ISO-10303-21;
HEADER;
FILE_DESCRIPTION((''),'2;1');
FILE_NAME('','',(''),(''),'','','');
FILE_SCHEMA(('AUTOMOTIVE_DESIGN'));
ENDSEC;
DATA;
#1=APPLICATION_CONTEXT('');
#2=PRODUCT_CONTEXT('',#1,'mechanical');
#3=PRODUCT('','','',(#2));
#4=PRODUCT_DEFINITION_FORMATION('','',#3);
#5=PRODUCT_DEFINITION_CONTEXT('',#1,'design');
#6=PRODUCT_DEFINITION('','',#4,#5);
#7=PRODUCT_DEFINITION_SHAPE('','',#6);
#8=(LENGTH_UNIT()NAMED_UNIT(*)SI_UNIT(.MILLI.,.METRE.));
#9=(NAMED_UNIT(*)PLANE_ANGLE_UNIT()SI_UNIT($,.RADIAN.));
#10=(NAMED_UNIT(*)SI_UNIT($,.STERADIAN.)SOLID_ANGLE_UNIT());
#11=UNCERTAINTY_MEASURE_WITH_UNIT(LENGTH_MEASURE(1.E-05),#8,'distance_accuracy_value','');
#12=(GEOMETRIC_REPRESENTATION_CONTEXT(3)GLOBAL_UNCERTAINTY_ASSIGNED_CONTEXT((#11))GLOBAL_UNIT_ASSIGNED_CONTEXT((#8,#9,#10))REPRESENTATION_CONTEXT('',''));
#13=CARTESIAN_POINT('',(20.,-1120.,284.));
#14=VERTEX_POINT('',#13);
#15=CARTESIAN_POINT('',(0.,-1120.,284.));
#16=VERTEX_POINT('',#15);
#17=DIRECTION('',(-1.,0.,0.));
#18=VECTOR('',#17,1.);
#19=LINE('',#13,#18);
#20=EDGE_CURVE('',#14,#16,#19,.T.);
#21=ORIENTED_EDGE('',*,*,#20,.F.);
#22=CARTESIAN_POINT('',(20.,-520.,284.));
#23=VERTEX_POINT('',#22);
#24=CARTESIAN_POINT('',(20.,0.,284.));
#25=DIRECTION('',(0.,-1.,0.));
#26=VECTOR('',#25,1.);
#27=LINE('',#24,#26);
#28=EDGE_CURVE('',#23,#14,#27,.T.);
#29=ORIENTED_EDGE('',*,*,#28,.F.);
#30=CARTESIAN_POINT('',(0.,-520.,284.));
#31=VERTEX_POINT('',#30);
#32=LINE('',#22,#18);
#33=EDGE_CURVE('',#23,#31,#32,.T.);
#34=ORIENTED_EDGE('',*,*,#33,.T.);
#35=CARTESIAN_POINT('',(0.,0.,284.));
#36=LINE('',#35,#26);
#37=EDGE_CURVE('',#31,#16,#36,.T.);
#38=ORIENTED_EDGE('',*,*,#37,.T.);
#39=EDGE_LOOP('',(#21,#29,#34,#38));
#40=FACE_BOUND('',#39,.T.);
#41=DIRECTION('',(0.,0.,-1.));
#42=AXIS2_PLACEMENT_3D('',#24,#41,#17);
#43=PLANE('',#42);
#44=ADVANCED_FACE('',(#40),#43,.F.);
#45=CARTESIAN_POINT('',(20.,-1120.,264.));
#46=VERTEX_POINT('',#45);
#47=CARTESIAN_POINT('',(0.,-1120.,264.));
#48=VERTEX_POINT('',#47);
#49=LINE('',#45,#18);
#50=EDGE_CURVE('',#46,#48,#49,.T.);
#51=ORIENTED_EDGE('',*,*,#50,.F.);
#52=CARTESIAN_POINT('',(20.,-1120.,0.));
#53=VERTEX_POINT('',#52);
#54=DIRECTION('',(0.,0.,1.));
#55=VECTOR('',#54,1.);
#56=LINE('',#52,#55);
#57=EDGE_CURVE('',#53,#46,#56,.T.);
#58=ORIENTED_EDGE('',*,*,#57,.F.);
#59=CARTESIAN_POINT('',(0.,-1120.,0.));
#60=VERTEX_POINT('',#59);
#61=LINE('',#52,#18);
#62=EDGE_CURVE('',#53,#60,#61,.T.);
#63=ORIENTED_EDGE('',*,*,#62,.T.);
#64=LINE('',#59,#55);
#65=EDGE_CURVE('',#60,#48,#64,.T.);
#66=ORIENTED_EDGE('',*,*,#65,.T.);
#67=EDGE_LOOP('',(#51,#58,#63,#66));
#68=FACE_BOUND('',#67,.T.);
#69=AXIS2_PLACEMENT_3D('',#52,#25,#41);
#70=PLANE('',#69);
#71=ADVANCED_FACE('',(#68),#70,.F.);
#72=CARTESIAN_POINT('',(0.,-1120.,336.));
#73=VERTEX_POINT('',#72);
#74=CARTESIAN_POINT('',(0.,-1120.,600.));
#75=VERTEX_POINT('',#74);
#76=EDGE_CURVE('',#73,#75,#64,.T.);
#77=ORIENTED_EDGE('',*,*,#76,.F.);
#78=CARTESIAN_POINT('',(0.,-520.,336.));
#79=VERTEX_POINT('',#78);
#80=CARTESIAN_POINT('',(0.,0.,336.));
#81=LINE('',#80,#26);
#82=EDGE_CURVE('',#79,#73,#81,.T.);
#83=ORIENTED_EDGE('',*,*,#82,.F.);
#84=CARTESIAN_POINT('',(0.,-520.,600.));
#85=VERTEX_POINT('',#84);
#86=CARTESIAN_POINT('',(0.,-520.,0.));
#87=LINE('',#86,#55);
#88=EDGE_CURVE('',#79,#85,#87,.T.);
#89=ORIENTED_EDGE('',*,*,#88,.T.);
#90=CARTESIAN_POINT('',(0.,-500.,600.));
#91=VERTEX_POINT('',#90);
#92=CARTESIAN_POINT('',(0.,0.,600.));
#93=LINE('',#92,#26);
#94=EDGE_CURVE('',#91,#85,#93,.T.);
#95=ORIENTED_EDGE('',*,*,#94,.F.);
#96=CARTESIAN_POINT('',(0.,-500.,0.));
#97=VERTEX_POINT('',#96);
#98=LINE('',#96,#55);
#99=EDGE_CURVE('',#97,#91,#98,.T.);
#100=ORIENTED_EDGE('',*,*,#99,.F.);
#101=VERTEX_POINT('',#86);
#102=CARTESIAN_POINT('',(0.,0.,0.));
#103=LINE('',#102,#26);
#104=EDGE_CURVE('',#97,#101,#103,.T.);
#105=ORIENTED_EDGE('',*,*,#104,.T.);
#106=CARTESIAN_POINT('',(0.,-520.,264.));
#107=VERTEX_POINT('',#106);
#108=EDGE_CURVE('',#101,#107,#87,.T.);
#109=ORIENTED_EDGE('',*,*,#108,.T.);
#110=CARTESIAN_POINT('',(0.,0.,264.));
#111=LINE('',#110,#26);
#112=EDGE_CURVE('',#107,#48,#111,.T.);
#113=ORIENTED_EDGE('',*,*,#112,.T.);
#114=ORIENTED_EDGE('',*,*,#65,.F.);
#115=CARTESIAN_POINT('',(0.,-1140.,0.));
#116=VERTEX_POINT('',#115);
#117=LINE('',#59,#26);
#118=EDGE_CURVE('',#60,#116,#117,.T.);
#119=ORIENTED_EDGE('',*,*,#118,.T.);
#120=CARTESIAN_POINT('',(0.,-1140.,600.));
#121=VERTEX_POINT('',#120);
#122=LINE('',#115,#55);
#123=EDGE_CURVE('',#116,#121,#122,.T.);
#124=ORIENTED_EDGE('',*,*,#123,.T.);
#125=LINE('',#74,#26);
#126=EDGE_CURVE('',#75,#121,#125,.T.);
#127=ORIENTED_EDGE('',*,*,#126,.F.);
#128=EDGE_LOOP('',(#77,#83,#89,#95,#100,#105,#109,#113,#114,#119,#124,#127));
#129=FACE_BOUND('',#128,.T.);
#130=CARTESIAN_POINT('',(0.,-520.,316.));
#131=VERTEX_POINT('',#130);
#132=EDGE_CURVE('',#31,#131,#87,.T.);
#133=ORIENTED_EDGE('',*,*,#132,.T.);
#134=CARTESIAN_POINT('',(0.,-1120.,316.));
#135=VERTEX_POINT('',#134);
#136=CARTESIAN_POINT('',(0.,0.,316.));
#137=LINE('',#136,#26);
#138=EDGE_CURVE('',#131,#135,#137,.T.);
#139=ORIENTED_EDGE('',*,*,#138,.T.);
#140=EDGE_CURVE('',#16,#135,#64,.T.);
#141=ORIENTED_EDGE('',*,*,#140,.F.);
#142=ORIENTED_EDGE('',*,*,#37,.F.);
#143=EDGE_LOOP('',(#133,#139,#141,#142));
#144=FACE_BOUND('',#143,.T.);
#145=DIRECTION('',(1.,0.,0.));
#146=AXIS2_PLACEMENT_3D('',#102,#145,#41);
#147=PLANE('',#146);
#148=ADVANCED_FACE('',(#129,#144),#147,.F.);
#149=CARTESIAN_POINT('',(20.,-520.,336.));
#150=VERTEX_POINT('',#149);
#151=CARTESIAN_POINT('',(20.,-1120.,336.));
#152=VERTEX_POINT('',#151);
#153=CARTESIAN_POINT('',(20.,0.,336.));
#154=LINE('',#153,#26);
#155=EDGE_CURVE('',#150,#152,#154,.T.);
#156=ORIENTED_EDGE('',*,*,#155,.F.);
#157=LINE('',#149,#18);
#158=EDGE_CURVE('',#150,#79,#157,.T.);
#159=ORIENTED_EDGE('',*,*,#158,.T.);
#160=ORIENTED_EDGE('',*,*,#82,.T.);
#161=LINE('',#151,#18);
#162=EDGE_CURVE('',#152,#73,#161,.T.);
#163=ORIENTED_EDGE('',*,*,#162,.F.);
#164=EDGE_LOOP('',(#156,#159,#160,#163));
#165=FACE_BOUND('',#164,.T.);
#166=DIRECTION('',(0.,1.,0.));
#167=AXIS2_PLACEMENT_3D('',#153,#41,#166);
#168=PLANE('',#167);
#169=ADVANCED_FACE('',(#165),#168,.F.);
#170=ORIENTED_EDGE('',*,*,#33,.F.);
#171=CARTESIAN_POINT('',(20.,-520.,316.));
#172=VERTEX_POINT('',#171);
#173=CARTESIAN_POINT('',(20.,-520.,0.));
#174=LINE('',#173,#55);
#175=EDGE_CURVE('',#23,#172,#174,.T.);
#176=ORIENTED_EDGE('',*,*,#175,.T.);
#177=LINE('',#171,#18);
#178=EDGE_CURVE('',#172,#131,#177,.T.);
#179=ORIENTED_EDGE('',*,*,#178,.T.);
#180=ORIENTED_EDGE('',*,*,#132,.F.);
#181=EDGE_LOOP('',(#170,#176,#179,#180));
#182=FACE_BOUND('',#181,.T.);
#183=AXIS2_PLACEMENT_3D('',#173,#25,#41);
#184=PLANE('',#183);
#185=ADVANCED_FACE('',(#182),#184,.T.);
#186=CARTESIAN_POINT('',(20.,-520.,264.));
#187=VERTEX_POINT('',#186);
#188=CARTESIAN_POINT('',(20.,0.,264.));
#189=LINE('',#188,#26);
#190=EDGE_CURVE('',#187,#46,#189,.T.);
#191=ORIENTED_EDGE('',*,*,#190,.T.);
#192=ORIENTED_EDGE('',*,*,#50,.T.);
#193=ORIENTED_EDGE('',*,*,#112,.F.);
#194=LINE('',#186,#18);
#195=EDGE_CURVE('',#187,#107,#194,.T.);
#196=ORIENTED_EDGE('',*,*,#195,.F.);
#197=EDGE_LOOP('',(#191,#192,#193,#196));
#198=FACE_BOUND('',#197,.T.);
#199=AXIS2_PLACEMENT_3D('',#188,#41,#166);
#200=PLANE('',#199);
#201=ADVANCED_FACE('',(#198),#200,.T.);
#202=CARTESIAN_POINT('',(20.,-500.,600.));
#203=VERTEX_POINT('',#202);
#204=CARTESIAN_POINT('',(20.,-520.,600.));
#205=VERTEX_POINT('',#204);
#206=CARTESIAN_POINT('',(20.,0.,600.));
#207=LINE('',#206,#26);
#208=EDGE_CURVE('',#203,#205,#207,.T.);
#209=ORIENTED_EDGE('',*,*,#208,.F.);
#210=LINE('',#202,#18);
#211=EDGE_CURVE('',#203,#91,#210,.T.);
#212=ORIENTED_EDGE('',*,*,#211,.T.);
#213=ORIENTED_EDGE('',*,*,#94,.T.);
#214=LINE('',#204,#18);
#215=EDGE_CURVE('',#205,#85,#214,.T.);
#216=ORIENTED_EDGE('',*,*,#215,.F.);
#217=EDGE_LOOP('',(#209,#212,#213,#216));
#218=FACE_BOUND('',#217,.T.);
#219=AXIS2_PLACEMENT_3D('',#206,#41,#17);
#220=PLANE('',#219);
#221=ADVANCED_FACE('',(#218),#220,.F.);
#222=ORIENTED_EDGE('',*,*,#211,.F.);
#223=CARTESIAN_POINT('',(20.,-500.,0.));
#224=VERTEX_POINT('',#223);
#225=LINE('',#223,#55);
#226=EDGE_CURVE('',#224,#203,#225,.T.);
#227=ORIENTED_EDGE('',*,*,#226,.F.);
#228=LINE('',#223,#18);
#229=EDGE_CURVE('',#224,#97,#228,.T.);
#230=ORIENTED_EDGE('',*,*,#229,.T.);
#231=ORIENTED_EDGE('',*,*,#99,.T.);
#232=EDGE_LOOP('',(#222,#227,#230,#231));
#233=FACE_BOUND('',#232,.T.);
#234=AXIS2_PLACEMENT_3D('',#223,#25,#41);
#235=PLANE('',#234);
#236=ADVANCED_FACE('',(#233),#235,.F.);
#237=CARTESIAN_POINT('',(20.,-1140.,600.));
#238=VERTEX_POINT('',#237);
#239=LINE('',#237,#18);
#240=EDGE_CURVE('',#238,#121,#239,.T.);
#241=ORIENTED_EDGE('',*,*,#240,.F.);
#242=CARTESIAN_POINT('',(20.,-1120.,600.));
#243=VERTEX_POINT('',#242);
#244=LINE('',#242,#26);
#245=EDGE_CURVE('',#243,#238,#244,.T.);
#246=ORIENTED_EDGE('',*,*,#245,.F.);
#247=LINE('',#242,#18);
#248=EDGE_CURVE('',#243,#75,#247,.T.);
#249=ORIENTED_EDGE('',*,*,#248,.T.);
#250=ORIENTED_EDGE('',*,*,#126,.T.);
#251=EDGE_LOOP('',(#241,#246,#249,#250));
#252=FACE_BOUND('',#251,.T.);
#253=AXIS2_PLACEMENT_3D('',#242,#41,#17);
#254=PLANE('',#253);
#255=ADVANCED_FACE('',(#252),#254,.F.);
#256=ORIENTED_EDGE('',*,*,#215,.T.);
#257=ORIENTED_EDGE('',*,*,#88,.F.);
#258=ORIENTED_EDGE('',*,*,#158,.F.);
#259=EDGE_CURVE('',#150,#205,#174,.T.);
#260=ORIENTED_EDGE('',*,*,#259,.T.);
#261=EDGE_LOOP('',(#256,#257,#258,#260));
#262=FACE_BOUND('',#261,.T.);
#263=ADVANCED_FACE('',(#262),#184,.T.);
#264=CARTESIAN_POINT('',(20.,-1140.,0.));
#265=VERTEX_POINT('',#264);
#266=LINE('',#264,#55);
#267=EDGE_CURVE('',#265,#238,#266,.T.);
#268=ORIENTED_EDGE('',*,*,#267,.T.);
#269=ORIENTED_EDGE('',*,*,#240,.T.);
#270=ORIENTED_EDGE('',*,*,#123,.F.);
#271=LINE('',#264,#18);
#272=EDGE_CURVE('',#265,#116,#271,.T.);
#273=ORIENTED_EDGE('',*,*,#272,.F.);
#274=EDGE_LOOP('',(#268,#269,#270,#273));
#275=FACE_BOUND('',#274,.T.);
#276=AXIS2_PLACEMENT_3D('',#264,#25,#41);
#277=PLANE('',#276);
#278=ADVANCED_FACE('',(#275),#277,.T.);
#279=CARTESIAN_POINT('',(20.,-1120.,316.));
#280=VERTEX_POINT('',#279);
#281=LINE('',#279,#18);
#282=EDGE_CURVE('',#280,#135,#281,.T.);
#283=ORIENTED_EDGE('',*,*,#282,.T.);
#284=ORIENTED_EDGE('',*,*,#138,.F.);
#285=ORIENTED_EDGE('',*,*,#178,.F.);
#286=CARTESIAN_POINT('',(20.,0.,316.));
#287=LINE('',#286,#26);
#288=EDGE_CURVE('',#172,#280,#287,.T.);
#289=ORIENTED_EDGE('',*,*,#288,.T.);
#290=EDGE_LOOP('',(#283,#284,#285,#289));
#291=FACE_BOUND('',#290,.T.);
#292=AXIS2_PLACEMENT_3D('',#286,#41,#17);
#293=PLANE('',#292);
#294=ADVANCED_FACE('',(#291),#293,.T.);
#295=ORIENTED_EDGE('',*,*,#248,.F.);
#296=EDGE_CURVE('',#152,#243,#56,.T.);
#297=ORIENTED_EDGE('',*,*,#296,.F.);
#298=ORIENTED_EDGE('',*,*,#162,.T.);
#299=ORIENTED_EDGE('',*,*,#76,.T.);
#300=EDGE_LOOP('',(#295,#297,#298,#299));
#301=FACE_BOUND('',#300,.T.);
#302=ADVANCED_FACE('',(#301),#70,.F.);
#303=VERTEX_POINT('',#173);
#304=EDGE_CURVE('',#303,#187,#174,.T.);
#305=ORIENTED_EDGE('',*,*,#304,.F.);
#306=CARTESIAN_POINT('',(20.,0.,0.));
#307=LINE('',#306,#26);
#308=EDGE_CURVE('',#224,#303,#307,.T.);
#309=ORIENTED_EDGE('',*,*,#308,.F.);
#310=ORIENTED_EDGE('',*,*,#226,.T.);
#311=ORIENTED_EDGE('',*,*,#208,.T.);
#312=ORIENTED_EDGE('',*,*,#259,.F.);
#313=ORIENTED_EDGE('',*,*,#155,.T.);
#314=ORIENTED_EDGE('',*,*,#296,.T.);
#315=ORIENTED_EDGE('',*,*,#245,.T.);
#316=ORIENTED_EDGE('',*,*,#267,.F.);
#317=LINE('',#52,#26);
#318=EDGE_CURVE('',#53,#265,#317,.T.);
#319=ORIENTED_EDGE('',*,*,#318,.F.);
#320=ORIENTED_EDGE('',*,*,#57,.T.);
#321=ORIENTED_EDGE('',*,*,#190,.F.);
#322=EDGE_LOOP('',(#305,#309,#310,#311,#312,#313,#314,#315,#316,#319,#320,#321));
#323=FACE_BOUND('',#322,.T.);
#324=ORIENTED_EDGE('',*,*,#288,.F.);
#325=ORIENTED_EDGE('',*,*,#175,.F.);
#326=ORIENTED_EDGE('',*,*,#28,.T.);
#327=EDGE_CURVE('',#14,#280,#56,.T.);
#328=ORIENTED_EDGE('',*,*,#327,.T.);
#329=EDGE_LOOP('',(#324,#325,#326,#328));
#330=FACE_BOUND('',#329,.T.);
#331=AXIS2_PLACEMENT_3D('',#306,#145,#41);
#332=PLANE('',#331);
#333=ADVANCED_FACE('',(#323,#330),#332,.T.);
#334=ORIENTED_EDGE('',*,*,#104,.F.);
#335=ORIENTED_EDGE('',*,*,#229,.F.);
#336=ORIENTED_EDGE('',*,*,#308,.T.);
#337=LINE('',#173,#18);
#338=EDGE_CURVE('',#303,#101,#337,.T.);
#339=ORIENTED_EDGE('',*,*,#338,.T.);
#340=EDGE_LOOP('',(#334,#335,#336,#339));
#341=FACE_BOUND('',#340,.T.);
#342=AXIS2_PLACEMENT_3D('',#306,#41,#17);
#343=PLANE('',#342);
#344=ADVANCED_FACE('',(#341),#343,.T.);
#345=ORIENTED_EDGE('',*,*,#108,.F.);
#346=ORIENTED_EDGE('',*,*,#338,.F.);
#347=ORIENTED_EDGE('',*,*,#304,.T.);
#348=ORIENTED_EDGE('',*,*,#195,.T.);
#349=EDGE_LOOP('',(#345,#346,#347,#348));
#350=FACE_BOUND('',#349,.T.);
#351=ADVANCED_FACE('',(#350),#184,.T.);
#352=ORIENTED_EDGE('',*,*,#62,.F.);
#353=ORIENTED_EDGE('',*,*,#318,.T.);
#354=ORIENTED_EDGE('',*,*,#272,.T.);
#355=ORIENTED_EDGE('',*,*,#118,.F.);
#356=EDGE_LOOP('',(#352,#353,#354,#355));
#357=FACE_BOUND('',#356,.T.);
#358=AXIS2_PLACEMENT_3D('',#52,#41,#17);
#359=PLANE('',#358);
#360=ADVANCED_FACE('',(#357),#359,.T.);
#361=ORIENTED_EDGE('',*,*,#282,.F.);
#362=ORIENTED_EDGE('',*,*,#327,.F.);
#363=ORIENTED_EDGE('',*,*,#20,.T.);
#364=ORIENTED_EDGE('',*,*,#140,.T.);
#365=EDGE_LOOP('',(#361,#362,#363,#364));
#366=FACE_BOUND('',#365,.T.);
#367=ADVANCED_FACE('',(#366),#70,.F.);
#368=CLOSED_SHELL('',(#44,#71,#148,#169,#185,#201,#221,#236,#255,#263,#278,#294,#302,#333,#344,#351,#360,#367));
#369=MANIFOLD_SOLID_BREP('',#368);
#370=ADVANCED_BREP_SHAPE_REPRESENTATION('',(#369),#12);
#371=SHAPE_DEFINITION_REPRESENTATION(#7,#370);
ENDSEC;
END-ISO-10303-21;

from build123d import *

# Parameters (mm, degrees)
SKETCH1_W           = 32
SKETCH1_H           = 600
BOSS_EXTRUDE1_DEPTH = 20


with BuildPart() as part:
    # Sketch1 → Boss-Extrude1 (new body)
    with BuildSketch(Plane(origin=(0, 0, 0), x_dir=(0, 0, -1), z_dir=(1, 0, 0))):
        Polygon((0, -500), (-600, -500), (-600, -520), (-336, -520), (-336, -1120), (-600, -1120), (-600, -1140), (0, -1140), (0, -1120), (-264, -1120), (-264, -520), (0, -520), align=None)
        with Locations((-300, -820)):
            Rectangle(SKETCH1_W, SKETCH1_H, mode=Mode.SUBTRACT)
    extrude(amount=BOSS_EXTRUDE1_DEPTH)


solid = part.part
